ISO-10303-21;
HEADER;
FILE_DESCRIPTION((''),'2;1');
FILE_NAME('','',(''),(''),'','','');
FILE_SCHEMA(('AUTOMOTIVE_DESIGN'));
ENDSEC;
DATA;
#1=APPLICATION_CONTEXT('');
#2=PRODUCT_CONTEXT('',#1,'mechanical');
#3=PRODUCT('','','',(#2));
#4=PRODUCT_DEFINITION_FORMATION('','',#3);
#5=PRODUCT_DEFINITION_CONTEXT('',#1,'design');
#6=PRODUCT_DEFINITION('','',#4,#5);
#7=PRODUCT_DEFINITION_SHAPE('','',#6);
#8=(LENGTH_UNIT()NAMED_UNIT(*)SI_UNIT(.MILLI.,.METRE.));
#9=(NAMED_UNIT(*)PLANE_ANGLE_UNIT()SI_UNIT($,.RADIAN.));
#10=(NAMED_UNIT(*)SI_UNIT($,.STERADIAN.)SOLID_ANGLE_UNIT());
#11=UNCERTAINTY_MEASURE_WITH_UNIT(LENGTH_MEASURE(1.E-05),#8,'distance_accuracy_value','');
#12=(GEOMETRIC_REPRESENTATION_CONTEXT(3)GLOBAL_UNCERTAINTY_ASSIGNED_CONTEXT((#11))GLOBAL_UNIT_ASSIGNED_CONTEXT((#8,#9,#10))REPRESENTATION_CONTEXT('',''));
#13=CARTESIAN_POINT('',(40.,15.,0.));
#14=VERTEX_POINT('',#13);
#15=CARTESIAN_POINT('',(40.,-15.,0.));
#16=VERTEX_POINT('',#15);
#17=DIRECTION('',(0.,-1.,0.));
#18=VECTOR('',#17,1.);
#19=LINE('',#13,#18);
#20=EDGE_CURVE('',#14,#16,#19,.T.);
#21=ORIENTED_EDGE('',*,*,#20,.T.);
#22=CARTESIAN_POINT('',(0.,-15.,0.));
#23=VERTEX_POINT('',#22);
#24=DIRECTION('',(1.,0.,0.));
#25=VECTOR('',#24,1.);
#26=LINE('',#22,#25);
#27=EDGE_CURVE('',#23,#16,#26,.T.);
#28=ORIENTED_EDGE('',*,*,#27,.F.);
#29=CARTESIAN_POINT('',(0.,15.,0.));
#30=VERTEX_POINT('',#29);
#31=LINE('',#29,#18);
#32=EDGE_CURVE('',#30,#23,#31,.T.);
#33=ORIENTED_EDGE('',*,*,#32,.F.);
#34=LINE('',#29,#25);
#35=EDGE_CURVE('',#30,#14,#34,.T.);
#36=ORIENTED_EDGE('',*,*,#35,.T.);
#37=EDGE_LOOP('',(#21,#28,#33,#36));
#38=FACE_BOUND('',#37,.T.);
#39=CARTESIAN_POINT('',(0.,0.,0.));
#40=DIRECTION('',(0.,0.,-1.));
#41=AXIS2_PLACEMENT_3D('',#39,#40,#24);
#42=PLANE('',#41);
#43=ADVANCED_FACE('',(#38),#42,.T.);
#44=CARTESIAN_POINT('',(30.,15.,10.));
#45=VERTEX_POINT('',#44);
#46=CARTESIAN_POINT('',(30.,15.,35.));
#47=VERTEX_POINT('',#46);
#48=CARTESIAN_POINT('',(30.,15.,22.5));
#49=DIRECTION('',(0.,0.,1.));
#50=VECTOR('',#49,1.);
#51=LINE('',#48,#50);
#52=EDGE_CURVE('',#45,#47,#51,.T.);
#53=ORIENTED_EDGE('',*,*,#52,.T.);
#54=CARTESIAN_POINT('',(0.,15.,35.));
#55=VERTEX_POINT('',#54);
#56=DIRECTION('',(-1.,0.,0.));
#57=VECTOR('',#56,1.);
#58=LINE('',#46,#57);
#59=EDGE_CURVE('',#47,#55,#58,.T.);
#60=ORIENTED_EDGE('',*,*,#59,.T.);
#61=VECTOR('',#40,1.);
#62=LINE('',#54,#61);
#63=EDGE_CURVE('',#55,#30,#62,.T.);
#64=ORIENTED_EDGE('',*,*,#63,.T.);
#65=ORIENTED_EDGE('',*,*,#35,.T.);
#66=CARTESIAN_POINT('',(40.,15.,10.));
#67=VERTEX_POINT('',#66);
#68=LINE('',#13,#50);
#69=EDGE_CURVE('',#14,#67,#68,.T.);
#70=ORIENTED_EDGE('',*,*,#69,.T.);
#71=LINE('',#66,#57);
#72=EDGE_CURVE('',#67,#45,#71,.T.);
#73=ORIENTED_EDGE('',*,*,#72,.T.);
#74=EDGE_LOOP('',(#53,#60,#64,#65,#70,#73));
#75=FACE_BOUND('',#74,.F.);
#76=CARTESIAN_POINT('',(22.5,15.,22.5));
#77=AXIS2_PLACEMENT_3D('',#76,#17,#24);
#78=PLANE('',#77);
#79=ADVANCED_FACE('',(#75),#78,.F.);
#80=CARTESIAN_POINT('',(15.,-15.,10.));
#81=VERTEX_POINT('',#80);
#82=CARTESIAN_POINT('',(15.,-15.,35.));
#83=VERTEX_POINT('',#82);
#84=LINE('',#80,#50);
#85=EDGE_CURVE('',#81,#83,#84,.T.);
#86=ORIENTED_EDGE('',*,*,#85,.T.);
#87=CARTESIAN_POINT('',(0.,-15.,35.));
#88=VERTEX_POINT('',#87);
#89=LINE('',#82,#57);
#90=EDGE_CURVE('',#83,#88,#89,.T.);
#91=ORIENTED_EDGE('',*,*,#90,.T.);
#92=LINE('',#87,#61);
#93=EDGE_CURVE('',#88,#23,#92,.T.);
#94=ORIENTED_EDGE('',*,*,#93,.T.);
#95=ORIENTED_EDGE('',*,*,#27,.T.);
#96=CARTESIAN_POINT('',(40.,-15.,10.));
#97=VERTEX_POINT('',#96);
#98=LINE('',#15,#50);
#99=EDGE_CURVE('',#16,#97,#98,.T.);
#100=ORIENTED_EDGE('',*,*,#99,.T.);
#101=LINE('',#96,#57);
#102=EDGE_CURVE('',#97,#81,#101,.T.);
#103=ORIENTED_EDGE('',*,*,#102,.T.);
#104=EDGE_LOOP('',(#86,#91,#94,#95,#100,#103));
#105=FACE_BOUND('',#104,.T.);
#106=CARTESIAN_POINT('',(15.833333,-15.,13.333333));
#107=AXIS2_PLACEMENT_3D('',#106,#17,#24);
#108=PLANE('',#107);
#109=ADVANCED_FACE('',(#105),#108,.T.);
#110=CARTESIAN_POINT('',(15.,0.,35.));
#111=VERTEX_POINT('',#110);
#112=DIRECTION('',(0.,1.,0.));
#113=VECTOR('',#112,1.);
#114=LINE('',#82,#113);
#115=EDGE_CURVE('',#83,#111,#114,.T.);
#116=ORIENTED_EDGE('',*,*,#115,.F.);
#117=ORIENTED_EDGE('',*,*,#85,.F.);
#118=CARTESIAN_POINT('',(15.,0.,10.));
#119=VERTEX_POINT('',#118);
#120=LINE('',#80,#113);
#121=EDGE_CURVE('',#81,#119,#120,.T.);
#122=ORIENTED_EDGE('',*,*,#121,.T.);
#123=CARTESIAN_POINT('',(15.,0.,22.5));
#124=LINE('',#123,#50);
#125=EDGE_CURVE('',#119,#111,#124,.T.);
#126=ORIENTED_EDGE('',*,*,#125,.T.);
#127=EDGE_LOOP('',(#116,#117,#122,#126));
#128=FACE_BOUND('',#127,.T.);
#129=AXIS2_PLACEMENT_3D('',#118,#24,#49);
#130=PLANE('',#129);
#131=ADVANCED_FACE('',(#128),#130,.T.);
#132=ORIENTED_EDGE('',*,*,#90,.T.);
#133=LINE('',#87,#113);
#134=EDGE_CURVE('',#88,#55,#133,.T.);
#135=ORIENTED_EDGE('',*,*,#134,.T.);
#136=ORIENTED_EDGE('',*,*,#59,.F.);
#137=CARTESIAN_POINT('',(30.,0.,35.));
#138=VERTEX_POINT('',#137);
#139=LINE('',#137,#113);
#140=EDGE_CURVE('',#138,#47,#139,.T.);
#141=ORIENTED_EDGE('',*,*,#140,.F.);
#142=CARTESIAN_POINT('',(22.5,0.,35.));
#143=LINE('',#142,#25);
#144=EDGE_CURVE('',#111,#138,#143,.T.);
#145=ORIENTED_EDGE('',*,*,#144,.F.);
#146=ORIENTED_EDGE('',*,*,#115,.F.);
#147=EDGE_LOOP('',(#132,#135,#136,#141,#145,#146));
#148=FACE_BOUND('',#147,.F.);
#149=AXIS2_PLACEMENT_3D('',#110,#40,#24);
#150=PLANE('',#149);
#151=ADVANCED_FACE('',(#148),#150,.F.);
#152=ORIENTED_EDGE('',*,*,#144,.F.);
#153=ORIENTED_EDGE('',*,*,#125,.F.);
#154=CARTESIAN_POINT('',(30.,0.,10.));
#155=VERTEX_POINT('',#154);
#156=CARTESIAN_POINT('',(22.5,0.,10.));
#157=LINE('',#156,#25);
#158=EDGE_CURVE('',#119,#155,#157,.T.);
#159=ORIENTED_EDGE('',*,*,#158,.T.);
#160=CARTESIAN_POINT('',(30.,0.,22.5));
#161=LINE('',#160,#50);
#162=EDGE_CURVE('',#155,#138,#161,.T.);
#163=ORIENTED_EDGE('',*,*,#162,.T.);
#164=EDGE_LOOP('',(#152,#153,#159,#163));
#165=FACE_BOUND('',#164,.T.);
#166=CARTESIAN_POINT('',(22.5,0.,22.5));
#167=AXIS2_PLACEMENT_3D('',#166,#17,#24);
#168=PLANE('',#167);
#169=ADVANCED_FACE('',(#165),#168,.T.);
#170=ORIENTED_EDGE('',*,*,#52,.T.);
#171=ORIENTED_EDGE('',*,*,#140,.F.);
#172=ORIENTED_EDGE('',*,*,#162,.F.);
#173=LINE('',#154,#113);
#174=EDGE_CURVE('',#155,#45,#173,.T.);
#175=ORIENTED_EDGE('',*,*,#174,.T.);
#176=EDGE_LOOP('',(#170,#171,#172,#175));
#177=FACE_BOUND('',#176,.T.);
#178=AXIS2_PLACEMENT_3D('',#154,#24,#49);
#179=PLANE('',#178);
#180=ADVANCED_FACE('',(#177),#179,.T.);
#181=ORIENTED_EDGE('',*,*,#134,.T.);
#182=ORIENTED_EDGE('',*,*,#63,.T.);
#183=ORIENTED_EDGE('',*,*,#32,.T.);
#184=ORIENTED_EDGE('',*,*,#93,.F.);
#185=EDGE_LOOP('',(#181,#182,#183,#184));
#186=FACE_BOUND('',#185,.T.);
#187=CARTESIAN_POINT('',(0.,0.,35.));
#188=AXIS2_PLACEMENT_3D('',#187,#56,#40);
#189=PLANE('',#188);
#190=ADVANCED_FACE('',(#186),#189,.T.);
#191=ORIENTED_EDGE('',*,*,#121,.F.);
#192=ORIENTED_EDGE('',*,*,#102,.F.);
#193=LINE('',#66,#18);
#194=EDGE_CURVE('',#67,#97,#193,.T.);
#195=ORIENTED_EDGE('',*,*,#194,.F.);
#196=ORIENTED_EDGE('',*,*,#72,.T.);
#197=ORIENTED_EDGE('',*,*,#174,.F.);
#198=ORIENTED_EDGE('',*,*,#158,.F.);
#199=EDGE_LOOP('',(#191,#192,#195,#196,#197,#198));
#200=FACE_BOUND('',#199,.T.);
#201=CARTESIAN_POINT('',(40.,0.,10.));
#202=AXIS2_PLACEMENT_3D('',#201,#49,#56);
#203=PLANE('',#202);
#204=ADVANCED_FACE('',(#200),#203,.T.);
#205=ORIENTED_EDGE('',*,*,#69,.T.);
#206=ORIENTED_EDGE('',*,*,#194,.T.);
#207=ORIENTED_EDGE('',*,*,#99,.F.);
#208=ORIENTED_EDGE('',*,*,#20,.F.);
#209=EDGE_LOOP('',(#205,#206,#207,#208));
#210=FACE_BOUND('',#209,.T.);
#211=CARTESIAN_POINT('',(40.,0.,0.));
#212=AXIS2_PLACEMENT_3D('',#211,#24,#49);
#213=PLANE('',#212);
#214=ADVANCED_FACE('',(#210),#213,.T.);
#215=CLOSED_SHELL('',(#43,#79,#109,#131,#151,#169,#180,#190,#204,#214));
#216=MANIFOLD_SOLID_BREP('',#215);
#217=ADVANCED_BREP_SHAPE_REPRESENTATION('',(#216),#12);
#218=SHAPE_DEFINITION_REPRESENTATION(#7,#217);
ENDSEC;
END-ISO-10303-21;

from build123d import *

# Parameters (mm, degrees)
F1_DEPTH = 15
F2_W     = 15
F2_H     = 25
F3_DEPTH = 15


with BuildPart() as f1:
    # F0 (on Front) → F1 (new body, symmetric)
    with BuildSketch(Plane.XZ):
        Polygon((0, 35), (0, 0), (40, 0), (40, 10), (15, 10), (15, 35), align=None)
    extrude(amount=F1_DEPTH, both=True)

    # F2 (on Front) → F3 (join)
    with BuildSketch(Plane.XZ):
        with Locations((22.5, 22.5)):
            Rectangle(F2_W, F2_H)
    extrude(amount=-F3_DEPTH)


solid = f1.part
